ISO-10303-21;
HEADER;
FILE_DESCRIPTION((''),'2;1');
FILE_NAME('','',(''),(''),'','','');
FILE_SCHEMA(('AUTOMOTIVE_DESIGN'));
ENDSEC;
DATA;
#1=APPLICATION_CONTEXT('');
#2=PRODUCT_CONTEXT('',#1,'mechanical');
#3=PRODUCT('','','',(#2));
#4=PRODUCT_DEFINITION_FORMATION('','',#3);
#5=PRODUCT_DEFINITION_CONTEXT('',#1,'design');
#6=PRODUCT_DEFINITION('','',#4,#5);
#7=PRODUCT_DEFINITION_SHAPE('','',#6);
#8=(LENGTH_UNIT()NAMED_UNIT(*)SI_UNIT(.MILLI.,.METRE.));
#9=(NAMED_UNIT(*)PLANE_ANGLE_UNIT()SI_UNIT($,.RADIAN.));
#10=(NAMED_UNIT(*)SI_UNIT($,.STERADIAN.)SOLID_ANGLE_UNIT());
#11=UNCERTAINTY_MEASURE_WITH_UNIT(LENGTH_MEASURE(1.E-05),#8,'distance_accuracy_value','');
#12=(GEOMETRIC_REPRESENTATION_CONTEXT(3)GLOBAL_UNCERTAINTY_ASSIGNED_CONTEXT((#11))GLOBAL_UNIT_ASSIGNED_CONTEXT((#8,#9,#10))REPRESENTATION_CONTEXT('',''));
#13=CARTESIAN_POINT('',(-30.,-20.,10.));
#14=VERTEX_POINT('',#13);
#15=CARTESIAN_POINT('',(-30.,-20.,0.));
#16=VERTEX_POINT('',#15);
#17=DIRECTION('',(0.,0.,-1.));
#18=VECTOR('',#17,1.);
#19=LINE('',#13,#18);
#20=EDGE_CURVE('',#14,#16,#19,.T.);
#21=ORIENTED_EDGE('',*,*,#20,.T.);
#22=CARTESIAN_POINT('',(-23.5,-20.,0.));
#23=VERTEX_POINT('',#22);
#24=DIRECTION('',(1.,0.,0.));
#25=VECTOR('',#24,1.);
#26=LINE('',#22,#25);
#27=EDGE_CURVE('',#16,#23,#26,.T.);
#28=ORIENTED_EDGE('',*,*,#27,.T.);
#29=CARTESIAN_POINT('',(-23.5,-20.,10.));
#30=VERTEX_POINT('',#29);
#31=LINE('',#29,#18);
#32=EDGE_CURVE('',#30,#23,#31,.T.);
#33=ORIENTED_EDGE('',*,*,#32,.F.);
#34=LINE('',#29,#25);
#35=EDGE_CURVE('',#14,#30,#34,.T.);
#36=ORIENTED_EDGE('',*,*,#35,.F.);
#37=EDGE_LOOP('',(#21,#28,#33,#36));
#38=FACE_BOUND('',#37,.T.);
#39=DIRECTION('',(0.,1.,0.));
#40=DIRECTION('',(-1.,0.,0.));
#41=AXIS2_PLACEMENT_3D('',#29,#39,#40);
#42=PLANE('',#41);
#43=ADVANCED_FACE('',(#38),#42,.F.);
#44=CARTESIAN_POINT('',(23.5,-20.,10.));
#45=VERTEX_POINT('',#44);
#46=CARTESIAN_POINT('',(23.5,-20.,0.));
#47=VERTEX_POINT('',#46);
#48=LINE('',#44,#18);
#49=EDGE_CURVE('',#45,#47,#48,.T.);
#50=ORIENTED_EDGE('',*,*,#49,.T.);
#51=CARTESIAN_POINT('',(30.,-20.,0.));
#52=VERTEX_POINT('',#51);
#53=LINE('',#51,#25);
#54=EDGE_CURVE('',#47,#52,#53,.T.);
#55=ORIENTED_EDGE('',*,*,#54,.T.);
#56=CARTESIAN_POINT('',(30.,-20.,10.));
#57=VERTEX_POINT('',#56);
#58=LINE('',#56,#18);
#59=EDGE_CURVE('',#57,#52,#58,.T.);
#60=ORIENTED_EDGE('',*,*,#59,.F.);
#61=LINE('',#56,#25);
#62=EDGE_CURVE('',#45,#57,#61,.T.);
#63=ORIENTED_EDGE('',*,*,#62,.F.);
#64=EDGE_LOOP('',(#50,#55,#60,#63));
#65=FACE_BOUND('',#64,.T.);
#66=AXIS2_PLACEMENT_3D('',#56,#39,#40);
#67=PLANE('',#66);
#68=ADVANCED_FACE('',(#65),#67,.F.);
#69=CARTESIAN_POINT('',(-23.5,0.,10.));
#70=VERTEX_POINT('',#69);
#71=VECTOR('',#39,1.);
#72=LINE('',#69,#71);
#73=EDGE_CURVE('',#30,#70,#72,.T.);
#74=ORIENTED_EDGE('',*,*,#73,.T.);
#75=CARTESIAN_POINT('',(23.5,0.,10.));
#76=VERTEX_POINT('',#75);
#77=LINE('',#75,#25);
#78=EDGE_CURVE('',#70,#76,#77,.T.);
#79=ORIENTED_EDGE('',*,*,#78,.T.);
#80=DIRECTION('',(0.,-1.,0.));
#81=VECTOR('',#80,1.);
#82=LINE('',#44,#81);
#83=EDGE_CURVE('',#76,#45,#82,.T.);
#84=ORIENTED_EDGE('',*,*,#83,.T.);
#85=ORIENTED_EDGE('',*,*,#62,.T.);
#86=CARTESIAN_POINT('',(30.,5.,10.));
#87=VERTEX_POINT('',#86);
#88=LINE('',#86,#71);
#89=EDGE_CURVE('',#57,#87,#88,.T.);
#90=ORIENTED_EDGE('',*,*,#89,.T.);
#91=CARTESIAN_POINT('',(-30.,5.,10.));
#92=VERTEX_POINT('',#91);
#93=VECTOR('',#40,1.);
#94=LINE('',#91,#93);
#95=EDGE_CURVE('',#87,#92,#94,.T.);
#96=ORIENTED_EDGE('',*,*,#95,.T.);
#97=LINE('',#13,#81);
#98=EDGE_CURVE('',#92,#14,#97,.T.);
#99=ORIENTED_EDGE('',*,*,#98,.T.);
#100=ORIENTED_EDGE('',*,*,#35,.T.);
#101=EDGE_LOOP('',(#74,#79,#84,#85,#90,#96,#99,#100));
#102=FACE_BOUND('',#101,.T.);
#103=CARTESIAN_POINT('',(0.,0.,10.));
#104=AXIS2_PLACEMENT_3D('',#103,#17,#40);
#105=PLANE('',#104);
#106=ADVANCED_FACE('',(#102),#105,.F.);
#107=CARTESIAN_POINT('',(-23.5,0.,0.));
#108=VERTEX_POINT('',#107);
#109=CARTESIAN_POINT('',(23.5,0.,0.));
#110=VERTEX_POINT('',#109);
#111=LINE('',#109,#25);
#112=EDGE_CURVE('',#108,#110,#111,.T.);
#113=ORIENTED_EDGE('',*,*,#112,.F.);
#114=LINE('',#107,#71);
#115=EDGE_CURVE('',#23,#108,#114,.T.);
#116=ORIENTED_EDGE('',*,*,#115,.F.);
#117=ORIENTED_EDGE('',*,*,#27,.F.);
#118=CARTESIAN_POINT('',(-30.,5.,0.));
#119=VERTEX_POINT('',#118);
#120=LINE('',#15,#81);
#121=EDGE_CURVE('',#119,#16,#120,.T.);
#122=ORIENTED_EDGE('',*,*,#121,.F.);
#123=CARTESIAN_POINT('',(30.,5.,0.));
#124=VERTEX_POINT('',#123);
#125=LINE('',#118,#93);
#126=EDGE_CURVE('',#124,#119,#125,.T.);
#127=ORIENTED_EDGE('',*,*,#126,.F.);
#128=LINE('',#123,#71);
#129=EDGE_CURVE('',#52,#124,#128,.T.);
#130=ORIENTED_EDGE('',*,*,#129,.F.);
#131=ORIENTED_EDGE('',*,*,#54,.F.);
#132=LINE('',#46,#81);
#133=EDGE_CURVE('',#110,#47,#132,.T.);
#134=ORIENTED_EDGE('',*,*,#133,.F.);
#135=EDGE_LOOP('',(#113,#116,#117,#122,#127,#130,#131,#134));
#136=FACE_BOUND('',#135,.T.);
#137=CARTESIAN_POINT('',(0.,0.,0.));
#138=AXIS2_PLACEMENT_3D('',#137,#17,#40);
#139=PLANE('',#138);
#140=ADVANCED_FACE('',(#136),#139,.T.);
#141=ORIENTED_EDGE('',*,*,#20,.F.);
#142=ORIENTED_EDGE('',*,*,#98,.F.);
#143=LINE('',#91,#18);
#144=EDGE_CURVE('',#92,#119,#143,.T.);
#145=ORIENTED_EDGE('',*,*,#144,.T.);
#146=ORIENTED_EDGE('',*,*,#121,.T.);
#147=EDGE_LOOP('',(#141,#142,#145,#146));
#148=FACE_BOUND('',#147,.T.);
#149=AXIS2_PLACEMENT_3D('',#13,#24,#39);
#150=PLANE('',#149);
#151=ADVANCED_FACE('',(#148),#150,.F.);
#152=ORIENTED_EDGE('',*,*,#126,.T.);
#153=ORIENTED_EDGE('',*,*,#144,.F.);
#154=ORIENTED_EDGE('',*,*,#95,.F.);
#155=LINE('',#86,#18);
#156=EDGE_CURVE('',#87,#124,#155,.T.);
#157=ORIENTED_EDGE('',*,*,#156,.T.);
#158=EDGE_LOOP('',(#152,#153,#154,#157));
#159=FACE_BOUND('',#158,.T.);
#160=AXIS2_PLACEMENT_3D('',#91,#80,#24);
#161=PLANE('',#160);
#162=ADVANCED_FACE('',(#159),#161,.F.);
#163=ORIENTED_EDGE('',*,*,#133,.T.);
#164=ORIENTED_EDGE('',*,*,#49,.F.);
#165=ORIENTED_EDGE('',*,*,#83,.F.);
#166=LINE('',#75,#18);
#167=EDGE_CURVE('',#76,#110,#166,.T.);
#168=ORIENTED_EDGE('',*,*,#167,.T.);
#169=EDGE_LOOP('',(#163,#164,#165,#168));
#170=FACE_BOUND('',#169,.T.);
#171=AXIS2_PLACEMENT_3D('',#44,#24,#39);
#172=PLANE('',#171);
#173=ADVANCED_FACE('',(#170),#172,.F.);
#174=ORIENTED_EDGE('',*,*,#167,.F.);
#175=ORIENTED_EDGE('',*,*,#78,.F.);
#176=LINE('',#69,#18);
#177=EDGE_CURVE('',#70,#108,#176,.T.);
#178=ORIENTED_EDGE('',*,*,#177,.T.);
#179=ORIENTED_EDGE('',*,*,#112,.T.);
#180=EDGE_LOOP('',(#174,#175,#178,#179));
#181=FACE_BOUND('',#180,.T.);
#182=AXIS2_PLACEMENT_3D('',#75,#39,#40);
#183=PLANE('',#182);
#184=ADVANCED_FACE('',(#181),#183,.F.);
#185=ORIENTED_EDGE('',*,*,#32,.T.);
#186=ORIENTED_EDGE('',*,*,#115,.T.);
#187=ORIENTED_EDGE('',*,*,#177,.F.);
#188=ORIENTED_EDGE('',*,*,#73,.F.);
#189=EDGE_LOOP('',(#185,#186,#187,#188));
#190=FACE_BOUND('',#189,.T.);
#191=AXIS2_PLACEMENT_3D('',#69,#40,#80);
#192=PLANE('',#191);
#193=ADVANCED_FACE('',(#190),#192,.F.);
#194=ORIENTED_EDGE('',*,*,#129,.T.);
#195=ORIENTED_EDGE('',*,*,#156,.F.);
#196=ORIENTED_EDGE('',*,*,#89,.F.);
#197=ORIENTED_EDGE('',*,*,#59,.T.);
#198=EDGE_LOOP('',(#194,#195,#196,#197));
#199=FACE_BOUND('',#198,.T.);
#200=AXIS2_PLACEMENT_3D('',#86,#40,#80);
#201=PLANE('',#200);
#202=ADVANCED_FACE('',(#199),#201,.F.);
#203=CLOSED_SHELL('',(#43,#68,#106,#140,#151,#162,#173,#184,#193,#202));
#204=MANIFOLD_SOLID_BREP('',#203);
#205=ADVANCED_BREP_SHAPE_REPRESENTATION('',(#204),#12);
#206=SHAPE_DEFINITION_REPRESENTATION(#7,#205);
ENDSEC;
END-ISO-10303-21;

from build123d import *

# Parameters (mm, degrees)
BOSS_EXTRUDE1_DEPTH = 10


with BuildPart() as part:
    # Sketch1 → Boss-Extrude1 (new body)
    with BuildSketch(Plane.XY):
        Polygon((-30, 5), (30, 5), (30, -20), (23.5, -20), (23.5, 0), (-23.5, 0), (-23.5, -20), (-30, -20), align=None)
    extrude(amount=BOSS_EXTRUDE1_DEPTH)


solid = part.part
